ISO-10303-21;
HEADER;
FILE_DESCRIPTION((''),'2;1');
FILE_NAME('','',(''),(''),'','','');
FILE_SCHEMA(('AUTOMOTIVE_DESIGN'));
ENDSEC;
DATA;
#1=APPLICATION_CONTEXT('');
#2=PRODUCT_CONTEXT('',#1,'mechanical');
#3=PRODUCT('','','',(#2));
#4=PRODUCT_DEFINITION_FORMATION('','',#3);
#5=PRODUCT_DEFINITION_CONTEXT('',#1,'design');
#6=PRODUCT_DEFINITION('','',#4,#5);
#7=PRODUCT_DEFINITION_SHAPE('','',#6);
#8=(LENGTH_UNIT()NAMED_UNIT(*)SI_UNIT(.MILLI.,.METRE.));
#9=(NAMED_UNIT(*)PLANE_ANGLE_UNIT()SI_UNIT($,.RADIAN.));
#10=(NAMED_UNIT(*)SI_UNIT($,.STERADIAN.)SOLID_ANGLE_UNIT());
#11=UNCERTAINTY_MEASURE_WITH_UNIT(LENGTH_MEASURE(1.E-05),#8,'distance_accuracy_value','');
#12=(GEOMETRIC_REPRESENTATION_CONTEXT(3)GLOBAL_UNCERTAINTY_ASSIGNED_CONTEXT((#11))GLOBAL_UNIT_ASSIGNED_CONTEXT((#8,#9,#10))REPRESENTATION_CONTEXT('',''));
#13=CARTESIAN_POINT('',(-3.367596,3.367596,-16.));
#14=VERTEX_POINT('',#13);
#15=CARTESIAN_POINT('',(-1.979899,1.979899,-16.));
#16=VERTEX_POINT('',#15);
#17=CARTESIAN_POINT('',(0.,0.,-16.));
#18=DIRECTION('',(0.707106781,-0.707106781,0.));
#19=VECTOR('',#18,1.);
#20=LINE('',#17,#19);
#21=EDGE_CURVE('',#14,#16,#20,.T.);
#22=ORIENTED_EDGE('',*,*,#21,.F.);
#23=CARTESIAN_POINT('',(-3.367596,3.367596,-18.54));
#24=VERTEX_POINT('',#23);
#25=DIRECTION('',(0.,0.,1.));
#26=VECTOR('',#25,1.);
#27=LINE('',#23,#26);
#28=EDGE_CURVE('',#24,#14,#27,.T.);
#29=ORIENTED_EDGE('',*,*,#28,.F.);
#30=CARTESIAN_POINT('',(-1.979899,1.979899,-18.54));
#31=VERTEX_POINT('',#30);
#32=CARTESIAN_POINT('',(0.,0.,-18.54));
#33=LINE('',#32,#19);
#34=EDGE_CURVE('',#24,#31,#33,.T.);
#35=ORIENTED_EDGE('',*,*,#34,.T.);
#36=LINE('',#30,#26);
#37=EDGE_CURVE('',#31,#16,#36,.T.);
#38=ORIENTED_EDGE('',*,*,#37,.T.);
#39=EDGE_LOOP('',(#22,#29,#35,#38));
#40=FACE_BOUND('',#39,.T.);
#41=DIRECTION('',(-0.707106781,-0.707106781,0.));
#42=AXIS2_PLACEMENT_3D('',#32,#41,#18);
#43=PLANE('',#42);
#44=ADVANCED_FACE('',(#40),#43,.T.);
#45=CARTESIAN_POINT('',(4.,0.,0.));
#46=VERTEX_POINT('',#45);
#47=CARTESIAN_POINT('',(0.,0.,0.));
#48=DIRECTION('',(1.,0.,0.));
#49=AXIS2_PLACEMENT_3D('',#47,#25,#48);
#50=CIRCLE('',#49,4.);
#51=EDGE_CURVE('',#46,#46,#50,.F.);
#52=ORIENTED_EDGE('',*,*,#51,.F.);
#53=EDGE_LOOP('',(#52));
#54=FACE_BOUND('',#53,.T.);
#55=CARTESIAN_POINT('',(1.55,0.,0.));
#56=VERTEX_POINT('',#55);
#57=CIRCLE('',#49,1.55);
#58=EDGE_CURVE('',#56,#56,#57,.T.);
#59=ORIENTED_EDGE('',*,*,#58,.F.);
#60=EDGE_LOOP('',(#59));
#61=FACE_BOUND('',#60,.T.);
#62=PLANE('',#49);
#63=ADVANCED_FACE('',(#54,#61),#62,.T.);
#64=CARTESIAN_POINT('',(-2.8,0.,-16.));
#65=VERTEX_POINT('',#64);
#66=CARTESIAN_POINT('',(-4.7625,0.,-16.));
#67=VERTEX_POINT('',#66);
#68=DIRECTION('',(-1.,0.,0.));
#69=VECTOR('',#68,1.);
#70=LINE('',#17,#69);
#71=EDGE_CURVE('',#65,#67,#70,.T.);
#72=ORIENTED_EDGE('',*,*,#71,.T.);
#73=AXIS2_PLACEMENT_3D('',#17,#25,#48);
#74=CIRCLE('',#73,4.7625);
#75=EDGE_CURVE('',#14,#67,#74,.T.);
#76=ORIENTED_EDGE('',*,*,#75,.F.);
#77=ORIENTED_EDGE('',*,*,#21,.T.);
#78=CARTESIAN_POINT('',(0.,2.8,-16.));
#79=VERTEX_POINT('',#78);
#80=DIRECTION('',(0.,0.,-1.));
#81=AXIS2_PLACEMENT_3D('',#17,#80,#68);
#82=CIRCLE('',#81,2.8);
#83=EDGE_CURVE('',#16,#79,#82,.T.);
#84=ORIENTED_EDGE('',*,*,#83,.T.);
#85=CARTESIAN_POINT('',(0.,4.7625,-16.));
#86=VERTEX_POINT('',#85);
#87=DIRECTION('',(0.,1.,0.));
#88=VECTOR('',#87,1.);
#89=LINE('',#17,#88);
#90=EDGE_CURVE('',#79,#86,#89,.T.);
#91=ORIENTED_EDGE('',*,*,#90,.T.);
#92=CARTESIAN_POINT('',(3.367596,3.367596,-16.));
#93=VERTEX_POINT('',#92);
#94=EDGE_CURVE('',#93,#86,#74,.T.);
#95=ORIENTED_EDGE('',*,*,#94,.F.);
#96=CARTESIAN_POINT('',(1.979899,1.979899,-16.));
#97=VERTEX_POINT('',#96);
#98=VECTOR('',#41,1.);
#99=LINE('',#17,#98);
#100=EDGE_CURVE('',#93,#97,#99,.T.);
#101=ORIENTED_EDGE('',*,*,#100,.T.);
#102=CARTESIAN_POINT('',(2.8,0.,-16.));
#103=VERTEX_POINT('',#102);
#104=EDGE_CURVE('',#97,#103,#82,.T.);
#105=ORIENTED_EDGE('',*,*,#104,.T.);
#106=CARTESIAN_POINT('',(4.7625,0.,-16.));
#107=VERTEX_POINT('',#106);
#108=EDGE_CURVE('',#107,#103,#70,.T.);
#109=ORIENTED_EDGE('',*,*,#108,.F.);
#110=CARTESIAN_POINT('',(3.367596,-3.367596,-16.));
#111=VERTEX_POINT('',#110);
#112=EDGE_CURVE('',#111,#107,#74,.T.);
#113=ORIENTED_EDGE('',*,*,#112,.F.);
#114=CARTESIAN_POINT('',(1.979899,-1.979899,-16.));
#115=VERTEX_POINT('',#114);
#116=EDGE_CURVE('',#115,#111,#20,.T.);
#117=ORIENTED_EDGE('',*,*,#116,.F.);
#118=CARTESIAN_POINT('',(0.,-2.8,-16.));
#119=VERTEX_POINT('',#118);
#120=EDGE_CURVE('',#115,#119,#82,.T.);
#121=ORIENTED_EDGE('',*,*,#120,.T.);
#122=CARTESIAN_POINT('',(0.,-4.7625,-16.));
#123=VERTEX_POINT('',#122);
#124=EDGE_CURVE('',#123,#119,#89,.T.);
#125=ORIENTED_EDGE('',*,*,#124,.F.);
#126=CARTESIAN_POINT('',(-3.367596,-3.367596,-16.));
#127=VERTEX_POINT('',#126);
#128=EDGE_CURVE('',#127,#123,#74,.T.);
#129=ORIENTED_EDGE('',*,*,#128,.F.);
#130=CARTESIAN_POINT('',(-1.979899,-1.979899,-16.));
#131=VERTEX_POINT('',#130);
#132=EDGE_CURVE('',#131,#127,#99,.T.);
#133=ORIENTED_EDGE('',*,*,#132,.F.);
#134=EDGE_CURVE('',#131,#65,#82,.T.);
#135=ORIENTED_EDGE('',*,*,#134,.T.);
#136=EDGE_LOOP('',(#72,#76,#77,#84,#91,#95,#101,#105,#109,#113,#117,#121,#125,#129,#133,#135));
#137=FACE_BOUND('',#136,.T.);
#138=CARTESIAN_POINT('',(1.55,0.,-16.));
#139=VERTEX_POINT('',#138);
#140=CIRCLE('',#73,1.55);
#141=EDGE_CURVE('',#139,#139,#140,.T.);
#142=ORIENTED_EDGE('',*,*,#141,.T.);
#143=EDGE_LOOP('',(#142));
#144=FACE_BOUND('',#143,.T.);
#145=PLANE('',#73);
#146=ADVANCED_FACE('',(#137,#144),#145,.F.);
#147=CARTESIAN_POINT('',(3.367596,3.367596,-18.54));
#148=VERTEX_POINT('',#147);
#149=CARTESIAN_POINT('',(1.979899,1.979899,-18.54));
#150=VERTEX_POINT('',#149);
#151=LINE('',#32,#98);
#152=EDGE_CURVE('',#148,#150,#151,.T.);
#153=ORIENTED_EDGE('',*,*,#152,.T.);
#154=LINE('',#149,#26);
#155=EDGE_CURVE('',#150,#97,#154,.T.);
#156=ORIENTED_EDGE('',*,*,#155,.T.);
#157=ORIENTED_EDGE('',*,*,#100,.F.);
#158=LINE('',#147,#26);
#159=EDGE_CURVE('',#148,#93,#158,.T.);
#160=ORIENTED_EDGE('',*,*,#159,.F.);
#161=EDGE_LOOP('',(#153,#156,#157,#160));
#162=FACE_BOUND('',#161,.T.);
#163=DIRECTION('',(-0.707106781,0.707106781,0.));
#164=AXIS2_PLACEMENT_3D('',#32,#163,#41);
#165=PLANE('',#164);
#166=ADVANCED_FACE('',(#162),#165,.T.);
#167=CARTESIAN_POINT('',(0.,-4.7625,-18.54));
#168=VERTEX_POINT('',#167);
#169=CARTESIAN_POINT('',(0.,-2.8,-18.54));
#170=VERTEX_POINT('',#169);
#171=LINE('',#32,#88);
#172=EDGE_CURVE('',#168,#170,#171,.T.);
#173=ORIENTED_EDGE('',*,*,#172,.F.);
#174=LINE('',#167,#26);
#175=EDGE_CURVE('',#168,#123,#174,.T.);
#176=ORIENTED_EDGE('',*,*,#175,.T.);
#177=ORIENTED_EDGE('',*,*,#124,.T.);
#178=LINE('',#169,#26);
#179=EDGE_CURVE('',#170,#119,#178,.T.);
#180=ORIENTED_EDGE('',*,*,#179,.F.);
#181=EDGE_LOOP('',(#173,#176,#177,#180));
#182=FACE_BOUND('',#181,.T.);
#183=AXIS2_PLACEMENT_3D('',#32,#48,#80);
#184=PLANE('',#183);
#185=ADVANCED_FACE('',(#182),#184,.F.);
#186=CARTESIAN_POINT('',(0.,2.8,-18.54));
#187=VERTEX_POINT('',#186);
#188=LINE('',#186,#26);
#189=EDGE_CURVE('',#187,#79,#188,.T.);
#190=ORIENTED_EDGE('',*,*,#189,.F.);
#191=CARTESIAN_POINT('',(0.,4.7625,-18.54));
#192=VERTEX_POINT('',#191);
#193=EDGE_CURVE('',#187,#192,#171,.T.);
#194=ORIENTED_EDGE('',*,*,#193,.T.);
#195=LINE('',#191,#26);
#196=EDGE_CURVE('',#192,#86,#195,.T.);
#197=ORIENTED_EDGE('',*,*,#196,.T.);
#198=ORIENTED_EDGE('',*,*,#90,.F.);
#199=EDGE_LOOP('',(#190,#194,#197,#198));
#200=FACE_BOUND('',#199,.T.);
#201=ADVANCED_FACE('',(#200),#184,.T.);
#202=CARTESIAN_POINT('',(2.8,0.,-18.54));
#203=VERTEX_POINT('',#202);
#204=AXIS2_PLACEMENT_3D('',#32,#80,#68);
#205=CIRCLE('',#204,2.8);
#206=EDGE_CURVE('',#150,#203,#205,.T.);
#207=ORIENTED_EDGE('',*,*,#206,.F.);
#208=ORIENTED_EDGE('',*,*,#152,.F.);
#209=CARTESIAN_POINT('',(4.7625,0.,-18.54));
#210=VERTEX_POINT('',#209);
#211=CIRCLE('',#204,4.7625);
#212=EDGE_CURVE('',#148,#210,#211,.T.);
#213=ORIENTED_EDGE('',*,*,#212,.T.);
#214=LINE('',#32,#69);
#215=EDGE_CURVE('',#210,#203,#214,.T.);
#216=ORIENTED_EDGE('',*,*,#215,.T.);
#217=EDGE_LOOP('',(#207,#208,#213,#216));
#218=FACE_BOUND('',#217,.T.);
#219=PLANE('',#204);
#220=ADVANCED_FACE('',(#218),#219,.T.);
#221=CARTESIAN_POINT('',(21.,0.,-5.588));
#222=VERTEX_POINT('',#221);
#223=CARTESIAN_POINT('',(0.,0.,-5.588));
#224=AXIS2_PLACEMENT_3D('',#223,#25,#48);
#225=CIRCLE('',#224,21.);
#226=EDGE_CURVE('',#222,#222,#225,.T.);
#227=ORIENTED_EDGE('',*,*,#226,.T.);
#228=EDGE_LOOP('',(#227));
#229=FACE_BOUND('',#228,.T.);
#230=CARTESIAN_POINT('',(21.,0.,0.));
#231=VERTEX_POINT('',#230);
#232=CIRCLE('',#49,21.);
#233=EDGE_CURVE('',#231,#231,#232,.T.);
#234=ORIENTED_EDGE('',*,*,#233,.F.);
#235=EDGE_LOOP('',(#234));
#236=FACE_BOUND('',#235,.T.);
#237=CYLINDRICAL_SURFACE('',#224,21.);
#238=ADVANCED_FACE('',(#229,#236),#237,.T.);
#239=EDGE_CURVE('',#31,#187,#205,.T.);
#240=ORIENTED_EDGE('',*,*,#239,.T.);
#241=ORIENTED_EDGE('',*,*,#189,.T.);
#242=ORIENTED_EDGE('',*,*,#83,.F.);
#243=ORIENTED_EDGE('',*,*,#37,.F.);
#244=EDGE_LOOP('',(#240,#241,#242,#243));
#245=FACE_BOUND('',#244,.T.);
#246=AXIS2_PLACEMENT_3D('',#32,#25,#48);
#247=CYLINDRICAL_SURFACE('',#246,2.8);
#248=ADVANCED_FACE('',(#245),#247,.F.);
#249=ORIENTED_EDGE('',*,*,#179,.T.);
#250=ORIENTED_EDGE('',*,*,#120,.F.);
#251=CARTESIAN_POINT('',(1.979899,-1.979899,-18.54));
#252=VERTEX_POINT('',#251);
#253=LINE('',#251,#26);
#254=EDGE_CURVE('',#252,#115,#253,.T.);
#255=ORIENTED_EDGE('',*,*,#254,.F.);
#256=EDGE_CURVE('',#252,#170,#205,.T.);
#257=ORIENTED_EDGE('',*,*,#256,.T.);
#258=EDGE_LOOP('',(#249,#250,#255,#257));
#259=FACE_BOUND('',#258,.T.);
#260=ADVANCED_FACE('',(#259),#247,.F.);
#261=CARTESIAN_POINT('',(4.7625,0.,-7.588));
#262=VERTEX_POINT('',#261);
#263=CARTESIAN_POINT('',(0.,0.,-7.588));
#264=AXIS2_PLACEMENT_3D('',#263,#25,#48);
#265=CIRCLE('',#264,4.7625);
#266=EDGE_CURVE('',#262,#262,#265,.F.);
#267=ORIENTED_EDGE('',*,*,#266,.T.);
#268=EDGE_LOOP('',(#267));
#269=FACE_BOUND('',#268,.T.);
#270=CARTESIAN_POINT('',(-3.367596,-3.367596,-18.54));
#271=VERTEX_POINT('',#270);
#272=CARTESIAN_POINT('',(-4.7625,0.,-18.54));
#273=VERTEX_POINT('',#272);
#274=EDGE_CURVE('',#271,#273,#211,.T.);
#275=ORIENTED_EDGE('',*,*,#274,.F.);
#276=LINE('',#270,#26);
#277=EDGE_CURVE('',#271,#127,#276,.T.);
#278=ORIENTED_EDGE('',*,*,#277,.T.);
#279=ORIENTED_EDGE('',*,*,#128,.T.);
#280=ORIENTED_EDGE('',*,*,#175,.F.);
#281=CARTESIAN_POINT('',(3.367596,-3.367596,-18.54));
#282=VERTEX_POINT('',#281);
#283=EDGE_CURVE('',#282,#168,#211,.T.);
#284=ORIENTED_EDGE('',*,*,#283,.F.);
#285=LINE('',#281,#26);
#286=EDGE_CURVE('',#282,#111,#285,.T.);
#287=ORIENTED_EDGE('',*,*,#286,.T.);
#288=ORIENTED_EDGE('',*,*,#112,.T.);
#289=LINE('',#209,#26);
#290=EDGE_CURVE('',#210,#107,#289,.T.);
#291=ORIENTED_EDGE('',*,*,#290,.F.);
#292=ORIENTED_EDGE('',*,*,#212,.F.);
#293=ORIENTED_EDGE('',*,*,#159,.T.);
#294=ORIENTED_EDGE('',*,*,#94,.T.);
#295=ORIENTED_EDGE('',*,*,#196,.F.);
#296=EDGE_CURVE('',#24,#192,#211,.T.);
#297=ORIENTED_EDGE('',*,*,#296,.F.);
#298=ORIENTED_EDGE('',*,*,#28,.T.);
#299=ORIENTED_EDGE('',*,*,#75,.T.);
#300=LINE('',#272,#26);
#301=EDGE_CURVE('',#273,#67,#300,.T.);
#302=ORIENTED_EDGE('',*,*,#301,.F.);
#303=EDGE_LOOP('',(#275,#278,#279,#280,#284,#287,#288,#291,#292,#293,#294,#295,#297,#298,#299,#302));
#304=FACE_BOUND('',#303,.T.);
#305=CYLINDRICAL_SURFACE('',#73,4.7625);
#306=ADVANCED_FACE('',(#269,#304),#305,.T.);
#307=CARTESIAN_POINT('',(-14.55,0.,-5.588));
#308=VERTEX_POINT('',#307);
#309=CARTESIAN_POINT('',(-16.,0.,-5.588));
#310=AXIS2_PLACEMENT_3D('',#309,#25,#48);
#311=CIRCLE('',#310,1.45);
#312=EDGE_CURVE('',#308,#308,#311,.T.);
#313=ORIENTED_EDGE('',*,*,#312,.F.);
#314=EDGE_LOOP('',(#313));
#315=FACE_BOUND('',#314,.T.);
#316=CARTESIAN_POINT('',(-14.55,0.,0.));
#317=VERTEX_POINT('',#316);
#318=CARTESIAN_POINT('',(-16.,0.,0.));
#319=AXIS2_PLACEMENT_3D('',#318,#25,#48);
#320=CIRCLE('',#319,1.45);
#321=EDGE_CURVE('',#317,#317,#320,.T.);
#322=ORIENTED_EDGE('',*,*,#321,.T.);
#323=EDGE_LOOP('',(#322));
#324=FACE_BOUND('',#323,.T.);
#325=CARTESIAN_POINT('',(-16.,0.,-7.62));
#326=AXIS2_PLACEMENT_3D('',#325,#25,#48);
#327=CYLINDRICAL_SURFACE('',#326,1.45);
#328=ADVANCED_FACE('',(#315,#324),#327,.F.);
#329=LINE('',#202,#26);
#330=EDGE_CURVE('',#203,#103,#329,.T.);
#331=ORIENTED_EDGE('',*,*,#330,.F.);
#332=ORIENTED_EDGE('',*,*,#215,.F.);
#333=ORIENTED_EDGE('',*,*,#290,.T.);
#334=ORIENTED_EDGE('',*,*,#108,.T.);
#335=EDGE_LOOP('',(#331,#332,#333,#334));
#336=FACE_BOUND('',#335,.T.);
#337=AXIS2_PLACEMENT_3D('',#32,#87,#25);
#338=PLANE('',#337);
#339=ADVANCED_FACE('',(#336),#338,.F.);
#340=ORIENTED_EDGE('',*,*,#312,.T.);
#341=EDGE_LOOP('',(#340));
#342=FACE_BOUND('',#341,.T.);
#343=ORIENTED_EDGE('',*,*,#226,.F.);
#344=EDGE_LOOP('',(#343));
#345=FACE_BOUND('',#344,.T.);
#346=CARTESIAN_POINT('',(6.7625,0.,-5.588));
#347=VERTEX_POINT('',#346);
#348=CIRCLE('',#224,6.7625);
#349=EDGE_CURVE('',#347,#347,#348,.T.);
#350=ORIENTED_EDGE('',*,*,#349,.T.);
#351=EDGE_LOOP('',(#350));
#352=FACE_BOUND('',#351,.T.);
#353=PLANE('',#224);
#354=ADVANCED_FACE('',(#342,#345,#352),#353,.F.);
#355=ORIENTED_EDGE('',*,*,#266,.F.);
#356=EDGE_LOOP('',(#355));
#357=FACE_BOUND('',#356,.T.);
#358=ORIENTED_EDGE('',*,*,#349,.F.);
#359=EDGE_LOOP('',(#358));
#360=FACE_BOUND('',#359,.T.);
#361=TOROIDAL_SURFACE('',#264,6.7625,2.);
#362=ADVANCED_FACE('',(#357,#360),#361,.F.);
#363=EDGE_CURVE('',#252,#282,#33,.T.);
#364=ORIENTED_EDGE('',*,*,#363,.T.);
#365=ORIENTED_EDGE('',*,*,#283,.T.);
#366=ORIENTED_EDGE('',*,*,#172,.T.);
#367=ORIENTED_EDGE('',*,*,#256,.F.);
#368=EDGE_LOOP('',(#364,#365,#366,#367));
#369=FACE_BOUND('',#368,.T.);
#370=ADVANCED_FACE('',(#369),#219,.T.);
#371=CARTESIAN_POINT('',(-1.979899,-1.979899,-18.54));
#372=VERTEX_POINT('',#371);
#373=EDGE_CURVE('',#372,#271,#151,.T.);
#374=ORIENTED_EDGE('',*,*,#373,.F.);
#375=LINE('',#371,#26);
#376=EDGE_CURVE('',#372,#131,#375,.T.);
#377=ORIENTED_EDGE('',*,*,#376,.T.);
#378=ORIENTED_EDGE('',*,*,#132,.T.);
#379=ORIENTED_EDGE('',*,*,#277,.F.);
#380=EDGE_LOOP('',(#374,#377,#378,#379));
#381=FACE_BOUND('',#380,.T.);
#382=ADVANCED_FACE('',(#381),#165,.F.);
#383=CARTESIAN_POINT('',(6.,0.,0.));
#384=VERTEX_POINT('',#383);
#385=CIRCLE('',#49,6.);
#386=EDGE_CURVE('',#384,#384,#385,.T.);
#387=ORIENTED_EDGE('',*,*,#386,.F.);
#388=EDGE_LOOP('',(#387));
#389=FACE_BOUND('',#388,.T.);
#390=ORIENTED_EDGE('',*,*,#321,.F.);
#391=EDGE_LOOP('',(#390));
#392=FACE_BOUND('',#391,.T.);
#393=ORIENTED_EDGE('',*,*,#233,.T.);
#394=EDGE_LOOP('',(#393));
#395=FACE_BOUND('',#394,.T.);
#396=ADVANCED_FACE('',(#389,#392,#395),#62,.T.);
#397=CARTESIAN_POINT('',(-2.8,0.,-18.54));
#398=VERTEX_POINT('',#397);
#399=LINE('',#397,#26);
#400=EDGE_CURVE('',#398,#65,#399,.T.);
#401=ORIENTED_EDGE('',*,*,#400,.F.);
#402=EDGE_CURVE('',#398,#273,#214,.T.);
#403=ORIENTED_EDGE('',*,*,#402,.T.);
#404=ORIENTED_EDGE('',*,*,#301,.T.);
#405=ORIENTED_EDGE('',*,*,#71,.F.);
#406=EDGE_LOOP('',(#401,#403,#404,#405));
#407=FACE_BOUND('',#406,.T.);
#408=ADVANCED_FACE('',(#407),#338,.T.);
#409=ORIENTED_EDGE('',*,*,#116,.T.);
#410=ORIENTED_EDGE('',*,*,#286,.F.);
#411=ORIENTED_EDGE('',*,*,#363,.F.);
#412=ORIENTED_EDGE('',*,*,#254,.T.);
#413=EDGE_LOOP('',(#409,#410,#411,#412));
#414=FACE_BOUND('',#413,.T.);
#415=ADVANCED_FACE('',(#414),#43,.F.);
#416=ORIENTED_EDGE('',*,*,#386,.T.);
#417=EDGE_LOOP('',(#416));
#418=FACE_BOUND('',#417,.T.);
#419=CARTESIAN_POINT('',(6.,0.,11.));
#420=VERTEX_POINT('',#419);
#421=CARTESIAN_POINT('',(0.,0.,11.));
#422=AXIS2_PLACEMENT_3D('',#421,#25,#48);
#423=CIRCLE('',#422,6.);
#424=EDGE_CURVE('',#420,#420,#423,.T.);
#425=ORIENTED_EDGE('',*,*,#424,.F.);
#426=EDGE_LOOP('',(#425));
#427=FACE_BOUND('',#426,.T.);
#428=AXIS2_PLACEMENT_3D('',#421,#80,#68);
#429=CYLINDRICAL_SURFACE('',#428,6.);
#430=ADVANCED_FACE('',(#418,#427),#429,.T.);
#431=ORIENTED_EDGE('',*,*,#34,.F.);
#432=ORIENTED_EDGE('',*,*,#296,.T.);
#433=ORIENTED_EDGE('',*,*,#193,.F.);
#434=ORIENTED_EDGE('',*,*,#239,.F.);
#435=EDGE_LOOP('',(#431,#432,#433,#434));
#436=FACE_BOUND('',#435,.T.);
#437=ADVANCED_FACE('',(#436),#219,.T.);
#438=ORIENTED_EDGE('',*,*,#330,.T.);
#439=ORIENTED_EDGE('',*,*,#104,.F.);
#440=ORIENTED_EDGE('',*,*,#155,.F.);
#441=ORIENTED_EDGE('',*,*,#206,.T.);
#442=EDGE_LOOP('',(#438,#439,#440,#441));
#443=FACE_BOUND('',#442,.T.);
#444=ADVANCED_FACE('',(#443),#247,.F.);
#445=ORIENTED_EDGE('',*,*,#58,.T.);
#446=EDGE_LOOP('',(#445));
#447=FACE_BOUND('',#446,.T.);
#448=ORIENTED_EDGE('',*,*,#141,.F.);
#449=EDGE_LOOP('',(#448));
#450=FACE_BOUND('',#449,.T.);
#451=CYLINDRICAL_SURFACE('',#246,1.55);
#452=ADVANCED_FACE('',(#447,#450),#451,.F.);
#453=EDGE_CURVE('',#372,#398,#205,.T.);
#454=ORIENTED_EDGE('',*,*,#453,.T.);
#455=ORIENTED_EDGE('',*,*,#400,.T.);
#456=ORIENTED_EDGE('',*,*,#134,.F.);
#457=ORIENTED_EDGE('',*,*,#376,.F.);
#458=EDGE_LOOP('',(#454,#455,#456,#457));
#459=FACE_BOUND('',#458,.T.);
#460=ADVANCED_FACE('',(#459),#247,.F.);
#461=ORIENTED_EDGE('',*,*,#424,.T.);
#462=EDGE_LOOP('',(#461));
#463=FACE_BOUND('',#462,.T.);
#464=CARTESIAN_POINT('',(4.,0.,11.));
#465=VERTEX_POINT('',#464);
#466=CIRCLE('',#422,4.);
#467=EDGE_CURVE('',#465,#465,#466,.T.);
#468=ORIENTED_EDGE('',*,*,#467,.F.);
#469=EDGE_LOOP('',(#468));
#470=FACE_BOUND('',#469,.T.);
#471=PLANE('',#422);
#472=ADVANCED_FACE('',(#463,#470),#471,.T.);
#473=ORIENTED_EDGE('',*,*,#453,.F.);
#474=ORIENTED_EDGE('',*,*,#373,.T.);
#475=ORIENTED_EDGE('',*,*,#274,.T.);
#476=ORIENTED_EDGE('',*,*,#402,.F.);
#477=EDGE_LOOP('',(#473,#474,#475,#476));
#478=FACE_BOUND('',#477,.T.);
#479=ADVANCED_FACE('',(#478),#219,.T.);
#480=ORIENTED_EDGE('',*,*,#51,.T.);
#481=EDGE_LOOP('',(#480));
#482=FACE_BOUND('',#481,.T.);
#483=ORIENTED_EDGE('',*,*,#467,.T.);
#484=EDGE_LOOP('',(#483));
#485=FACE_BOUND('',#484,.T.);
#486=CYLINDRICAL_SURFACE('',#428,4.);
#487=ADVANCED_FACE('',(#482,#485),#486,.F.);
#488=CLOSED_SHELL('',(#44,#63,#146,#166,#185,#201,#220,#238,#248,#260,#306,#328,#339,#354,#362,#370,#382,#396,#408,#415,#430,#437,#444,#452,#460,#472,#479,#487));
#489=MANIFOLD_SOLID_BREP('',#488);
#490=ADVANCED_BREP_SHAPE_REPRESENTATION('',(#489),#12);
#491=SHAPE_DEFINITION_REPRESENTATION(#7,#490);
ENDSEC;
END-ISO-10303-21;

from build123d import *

# Parameters (mm, degrees)
SKETCH1_R           = 4.7625
BOSS_EXTRUDE1_DEPTH = 16
SKETCH2_R           = 21
BOSS_EXTRUDE2_DEPTH = 5.588
BOSS_EXTRUDE3_DEPTH = 2.54
SKETCH6_R           = 1.55
CUT_EXTRUDE1_DEPTH  = 19.54
SKETCH7_R           = 1.45
CUT_EXTRUDE2_DEPTH  = 7.62
SKETCH8_R           = 6
SKETCH8_R_2         = 4
BOSS_EXTRUDE4_DEPTH = 11
FILLET1_R           = 2


with BuildPart() as part:
    # Sketch1 → Boss-Extrude1 (new body)
    with BuildSketch(Plane.XY):
        Circle(SKETCH1_R)
    extrude(amount=-BOSS_EXTRUDE1_DEPTH)

    # Sketch2 → Boss-Extrude2 (add)
    with BuildSketch(Plane.XY):
        Circle(SKETCH2_R)
    extrude(amount=-BOSS_EXTRUDE2_DEPTH)

    # Sketch3 → Boss-Extrude3 (add)
    with BuildSketch(Plane(origin=(0, 0, -16), x_dir=(-1, 0, 0), z_dir=(0, 0, -1))):
        with BuildLine():
            Line((1.979898987, -1.979898987), (3.367596045, -3.367596045))
            ThreePointArc((3.367596045, -3.367596045), (4.399976274, -1.822529847), (4.7625, 0))
            Line((4.7625, 0), (2.8, 0))
            ThreePointArc((2.8, 0), (2.586862691, -1.071513611), (1.979898987, -1.979898987))
        make_face()
        with BuildLine():
            ThreePointArc((-3.367596045, 3.367596045), (-4.399976274, 1.822529847), (-4.7625, 0))
            Line((-4.7625, 0), (-2.8, 0))
            ThreePointArc((-2.8, 0), (-2.586862691, 1.071513611), (-1.979898987, 1.979898987))
            Line((-1.979898987, 1.979898987), (-3.367596045, 3.367596045))
        make_face()
        with BuildLine():
            ThreePointArc((-3.367596045, -3.367596045), (-1.822529847, -4.399976274), (0, -4.7625))
            Line((0, -4.7625), (0, -2.8))
            ThreePointArc((0, -2.8), (-1.071513611, -2.586862691), (-1.979898987, -1.979898987))
            Line((-1.979898987, -1.979898987), (-3.367596045, -3.367596045))
        make_face()
        with BuildLine():
            Line((0, 4.7625), (0, 2.8))
            ThreePointArc((0, 2.8), (1.071513611, 2.586862691), (1.979898987, 1.979898987))
            Line((1.979898987, 1.979898987), (3.367596045, 3.367596045))
            ThreePointArc((3.367596045, 3.367596045), (1.822529847, 4.399976274), (0, 4.7625))
        make_face()
    extrude(amount=BOSS_EXTRUDE3_DEPTH)

    # Sketch6 → Cut-Extrude1 (cut, through all)
    with BuildSketch(Plane.XY):
        Circle(SKETCH6_R)
    extrude(amount=-CUT_EXTRUDE1_DEPTH, mode=Mode.SUBTRACT)

    # Sketch7 → Cut-Extrude2 (cut)
    with BuildSketch(Plane.XY):
        with Locations((-16, 0)):
            Circle(SKETCH7_R)
    extrude(amount=-CUT_EXTRUDE2_DEPTH, mode=Mode.SUBTRACT)

    # Sketch8 → Boss-Extrude4 (add)
    with BuildSketch(Plane.XY):
        Circle(SKETCH8_R)
        Circle(SKETCH8_R_2, mode=Mode.SUBTRACT)
    extrude(amount=BOSS_EXTRUDE4_DEPTH)

    # Fillet1
    fillet1_edges = [part.edges().sort_by_distance(p)[0] for p in [
        (-4.7625, 0, -5.588),
    ]]
    fillet(fillet1_edges, radius=FILLET1_R)


solid = part.part
